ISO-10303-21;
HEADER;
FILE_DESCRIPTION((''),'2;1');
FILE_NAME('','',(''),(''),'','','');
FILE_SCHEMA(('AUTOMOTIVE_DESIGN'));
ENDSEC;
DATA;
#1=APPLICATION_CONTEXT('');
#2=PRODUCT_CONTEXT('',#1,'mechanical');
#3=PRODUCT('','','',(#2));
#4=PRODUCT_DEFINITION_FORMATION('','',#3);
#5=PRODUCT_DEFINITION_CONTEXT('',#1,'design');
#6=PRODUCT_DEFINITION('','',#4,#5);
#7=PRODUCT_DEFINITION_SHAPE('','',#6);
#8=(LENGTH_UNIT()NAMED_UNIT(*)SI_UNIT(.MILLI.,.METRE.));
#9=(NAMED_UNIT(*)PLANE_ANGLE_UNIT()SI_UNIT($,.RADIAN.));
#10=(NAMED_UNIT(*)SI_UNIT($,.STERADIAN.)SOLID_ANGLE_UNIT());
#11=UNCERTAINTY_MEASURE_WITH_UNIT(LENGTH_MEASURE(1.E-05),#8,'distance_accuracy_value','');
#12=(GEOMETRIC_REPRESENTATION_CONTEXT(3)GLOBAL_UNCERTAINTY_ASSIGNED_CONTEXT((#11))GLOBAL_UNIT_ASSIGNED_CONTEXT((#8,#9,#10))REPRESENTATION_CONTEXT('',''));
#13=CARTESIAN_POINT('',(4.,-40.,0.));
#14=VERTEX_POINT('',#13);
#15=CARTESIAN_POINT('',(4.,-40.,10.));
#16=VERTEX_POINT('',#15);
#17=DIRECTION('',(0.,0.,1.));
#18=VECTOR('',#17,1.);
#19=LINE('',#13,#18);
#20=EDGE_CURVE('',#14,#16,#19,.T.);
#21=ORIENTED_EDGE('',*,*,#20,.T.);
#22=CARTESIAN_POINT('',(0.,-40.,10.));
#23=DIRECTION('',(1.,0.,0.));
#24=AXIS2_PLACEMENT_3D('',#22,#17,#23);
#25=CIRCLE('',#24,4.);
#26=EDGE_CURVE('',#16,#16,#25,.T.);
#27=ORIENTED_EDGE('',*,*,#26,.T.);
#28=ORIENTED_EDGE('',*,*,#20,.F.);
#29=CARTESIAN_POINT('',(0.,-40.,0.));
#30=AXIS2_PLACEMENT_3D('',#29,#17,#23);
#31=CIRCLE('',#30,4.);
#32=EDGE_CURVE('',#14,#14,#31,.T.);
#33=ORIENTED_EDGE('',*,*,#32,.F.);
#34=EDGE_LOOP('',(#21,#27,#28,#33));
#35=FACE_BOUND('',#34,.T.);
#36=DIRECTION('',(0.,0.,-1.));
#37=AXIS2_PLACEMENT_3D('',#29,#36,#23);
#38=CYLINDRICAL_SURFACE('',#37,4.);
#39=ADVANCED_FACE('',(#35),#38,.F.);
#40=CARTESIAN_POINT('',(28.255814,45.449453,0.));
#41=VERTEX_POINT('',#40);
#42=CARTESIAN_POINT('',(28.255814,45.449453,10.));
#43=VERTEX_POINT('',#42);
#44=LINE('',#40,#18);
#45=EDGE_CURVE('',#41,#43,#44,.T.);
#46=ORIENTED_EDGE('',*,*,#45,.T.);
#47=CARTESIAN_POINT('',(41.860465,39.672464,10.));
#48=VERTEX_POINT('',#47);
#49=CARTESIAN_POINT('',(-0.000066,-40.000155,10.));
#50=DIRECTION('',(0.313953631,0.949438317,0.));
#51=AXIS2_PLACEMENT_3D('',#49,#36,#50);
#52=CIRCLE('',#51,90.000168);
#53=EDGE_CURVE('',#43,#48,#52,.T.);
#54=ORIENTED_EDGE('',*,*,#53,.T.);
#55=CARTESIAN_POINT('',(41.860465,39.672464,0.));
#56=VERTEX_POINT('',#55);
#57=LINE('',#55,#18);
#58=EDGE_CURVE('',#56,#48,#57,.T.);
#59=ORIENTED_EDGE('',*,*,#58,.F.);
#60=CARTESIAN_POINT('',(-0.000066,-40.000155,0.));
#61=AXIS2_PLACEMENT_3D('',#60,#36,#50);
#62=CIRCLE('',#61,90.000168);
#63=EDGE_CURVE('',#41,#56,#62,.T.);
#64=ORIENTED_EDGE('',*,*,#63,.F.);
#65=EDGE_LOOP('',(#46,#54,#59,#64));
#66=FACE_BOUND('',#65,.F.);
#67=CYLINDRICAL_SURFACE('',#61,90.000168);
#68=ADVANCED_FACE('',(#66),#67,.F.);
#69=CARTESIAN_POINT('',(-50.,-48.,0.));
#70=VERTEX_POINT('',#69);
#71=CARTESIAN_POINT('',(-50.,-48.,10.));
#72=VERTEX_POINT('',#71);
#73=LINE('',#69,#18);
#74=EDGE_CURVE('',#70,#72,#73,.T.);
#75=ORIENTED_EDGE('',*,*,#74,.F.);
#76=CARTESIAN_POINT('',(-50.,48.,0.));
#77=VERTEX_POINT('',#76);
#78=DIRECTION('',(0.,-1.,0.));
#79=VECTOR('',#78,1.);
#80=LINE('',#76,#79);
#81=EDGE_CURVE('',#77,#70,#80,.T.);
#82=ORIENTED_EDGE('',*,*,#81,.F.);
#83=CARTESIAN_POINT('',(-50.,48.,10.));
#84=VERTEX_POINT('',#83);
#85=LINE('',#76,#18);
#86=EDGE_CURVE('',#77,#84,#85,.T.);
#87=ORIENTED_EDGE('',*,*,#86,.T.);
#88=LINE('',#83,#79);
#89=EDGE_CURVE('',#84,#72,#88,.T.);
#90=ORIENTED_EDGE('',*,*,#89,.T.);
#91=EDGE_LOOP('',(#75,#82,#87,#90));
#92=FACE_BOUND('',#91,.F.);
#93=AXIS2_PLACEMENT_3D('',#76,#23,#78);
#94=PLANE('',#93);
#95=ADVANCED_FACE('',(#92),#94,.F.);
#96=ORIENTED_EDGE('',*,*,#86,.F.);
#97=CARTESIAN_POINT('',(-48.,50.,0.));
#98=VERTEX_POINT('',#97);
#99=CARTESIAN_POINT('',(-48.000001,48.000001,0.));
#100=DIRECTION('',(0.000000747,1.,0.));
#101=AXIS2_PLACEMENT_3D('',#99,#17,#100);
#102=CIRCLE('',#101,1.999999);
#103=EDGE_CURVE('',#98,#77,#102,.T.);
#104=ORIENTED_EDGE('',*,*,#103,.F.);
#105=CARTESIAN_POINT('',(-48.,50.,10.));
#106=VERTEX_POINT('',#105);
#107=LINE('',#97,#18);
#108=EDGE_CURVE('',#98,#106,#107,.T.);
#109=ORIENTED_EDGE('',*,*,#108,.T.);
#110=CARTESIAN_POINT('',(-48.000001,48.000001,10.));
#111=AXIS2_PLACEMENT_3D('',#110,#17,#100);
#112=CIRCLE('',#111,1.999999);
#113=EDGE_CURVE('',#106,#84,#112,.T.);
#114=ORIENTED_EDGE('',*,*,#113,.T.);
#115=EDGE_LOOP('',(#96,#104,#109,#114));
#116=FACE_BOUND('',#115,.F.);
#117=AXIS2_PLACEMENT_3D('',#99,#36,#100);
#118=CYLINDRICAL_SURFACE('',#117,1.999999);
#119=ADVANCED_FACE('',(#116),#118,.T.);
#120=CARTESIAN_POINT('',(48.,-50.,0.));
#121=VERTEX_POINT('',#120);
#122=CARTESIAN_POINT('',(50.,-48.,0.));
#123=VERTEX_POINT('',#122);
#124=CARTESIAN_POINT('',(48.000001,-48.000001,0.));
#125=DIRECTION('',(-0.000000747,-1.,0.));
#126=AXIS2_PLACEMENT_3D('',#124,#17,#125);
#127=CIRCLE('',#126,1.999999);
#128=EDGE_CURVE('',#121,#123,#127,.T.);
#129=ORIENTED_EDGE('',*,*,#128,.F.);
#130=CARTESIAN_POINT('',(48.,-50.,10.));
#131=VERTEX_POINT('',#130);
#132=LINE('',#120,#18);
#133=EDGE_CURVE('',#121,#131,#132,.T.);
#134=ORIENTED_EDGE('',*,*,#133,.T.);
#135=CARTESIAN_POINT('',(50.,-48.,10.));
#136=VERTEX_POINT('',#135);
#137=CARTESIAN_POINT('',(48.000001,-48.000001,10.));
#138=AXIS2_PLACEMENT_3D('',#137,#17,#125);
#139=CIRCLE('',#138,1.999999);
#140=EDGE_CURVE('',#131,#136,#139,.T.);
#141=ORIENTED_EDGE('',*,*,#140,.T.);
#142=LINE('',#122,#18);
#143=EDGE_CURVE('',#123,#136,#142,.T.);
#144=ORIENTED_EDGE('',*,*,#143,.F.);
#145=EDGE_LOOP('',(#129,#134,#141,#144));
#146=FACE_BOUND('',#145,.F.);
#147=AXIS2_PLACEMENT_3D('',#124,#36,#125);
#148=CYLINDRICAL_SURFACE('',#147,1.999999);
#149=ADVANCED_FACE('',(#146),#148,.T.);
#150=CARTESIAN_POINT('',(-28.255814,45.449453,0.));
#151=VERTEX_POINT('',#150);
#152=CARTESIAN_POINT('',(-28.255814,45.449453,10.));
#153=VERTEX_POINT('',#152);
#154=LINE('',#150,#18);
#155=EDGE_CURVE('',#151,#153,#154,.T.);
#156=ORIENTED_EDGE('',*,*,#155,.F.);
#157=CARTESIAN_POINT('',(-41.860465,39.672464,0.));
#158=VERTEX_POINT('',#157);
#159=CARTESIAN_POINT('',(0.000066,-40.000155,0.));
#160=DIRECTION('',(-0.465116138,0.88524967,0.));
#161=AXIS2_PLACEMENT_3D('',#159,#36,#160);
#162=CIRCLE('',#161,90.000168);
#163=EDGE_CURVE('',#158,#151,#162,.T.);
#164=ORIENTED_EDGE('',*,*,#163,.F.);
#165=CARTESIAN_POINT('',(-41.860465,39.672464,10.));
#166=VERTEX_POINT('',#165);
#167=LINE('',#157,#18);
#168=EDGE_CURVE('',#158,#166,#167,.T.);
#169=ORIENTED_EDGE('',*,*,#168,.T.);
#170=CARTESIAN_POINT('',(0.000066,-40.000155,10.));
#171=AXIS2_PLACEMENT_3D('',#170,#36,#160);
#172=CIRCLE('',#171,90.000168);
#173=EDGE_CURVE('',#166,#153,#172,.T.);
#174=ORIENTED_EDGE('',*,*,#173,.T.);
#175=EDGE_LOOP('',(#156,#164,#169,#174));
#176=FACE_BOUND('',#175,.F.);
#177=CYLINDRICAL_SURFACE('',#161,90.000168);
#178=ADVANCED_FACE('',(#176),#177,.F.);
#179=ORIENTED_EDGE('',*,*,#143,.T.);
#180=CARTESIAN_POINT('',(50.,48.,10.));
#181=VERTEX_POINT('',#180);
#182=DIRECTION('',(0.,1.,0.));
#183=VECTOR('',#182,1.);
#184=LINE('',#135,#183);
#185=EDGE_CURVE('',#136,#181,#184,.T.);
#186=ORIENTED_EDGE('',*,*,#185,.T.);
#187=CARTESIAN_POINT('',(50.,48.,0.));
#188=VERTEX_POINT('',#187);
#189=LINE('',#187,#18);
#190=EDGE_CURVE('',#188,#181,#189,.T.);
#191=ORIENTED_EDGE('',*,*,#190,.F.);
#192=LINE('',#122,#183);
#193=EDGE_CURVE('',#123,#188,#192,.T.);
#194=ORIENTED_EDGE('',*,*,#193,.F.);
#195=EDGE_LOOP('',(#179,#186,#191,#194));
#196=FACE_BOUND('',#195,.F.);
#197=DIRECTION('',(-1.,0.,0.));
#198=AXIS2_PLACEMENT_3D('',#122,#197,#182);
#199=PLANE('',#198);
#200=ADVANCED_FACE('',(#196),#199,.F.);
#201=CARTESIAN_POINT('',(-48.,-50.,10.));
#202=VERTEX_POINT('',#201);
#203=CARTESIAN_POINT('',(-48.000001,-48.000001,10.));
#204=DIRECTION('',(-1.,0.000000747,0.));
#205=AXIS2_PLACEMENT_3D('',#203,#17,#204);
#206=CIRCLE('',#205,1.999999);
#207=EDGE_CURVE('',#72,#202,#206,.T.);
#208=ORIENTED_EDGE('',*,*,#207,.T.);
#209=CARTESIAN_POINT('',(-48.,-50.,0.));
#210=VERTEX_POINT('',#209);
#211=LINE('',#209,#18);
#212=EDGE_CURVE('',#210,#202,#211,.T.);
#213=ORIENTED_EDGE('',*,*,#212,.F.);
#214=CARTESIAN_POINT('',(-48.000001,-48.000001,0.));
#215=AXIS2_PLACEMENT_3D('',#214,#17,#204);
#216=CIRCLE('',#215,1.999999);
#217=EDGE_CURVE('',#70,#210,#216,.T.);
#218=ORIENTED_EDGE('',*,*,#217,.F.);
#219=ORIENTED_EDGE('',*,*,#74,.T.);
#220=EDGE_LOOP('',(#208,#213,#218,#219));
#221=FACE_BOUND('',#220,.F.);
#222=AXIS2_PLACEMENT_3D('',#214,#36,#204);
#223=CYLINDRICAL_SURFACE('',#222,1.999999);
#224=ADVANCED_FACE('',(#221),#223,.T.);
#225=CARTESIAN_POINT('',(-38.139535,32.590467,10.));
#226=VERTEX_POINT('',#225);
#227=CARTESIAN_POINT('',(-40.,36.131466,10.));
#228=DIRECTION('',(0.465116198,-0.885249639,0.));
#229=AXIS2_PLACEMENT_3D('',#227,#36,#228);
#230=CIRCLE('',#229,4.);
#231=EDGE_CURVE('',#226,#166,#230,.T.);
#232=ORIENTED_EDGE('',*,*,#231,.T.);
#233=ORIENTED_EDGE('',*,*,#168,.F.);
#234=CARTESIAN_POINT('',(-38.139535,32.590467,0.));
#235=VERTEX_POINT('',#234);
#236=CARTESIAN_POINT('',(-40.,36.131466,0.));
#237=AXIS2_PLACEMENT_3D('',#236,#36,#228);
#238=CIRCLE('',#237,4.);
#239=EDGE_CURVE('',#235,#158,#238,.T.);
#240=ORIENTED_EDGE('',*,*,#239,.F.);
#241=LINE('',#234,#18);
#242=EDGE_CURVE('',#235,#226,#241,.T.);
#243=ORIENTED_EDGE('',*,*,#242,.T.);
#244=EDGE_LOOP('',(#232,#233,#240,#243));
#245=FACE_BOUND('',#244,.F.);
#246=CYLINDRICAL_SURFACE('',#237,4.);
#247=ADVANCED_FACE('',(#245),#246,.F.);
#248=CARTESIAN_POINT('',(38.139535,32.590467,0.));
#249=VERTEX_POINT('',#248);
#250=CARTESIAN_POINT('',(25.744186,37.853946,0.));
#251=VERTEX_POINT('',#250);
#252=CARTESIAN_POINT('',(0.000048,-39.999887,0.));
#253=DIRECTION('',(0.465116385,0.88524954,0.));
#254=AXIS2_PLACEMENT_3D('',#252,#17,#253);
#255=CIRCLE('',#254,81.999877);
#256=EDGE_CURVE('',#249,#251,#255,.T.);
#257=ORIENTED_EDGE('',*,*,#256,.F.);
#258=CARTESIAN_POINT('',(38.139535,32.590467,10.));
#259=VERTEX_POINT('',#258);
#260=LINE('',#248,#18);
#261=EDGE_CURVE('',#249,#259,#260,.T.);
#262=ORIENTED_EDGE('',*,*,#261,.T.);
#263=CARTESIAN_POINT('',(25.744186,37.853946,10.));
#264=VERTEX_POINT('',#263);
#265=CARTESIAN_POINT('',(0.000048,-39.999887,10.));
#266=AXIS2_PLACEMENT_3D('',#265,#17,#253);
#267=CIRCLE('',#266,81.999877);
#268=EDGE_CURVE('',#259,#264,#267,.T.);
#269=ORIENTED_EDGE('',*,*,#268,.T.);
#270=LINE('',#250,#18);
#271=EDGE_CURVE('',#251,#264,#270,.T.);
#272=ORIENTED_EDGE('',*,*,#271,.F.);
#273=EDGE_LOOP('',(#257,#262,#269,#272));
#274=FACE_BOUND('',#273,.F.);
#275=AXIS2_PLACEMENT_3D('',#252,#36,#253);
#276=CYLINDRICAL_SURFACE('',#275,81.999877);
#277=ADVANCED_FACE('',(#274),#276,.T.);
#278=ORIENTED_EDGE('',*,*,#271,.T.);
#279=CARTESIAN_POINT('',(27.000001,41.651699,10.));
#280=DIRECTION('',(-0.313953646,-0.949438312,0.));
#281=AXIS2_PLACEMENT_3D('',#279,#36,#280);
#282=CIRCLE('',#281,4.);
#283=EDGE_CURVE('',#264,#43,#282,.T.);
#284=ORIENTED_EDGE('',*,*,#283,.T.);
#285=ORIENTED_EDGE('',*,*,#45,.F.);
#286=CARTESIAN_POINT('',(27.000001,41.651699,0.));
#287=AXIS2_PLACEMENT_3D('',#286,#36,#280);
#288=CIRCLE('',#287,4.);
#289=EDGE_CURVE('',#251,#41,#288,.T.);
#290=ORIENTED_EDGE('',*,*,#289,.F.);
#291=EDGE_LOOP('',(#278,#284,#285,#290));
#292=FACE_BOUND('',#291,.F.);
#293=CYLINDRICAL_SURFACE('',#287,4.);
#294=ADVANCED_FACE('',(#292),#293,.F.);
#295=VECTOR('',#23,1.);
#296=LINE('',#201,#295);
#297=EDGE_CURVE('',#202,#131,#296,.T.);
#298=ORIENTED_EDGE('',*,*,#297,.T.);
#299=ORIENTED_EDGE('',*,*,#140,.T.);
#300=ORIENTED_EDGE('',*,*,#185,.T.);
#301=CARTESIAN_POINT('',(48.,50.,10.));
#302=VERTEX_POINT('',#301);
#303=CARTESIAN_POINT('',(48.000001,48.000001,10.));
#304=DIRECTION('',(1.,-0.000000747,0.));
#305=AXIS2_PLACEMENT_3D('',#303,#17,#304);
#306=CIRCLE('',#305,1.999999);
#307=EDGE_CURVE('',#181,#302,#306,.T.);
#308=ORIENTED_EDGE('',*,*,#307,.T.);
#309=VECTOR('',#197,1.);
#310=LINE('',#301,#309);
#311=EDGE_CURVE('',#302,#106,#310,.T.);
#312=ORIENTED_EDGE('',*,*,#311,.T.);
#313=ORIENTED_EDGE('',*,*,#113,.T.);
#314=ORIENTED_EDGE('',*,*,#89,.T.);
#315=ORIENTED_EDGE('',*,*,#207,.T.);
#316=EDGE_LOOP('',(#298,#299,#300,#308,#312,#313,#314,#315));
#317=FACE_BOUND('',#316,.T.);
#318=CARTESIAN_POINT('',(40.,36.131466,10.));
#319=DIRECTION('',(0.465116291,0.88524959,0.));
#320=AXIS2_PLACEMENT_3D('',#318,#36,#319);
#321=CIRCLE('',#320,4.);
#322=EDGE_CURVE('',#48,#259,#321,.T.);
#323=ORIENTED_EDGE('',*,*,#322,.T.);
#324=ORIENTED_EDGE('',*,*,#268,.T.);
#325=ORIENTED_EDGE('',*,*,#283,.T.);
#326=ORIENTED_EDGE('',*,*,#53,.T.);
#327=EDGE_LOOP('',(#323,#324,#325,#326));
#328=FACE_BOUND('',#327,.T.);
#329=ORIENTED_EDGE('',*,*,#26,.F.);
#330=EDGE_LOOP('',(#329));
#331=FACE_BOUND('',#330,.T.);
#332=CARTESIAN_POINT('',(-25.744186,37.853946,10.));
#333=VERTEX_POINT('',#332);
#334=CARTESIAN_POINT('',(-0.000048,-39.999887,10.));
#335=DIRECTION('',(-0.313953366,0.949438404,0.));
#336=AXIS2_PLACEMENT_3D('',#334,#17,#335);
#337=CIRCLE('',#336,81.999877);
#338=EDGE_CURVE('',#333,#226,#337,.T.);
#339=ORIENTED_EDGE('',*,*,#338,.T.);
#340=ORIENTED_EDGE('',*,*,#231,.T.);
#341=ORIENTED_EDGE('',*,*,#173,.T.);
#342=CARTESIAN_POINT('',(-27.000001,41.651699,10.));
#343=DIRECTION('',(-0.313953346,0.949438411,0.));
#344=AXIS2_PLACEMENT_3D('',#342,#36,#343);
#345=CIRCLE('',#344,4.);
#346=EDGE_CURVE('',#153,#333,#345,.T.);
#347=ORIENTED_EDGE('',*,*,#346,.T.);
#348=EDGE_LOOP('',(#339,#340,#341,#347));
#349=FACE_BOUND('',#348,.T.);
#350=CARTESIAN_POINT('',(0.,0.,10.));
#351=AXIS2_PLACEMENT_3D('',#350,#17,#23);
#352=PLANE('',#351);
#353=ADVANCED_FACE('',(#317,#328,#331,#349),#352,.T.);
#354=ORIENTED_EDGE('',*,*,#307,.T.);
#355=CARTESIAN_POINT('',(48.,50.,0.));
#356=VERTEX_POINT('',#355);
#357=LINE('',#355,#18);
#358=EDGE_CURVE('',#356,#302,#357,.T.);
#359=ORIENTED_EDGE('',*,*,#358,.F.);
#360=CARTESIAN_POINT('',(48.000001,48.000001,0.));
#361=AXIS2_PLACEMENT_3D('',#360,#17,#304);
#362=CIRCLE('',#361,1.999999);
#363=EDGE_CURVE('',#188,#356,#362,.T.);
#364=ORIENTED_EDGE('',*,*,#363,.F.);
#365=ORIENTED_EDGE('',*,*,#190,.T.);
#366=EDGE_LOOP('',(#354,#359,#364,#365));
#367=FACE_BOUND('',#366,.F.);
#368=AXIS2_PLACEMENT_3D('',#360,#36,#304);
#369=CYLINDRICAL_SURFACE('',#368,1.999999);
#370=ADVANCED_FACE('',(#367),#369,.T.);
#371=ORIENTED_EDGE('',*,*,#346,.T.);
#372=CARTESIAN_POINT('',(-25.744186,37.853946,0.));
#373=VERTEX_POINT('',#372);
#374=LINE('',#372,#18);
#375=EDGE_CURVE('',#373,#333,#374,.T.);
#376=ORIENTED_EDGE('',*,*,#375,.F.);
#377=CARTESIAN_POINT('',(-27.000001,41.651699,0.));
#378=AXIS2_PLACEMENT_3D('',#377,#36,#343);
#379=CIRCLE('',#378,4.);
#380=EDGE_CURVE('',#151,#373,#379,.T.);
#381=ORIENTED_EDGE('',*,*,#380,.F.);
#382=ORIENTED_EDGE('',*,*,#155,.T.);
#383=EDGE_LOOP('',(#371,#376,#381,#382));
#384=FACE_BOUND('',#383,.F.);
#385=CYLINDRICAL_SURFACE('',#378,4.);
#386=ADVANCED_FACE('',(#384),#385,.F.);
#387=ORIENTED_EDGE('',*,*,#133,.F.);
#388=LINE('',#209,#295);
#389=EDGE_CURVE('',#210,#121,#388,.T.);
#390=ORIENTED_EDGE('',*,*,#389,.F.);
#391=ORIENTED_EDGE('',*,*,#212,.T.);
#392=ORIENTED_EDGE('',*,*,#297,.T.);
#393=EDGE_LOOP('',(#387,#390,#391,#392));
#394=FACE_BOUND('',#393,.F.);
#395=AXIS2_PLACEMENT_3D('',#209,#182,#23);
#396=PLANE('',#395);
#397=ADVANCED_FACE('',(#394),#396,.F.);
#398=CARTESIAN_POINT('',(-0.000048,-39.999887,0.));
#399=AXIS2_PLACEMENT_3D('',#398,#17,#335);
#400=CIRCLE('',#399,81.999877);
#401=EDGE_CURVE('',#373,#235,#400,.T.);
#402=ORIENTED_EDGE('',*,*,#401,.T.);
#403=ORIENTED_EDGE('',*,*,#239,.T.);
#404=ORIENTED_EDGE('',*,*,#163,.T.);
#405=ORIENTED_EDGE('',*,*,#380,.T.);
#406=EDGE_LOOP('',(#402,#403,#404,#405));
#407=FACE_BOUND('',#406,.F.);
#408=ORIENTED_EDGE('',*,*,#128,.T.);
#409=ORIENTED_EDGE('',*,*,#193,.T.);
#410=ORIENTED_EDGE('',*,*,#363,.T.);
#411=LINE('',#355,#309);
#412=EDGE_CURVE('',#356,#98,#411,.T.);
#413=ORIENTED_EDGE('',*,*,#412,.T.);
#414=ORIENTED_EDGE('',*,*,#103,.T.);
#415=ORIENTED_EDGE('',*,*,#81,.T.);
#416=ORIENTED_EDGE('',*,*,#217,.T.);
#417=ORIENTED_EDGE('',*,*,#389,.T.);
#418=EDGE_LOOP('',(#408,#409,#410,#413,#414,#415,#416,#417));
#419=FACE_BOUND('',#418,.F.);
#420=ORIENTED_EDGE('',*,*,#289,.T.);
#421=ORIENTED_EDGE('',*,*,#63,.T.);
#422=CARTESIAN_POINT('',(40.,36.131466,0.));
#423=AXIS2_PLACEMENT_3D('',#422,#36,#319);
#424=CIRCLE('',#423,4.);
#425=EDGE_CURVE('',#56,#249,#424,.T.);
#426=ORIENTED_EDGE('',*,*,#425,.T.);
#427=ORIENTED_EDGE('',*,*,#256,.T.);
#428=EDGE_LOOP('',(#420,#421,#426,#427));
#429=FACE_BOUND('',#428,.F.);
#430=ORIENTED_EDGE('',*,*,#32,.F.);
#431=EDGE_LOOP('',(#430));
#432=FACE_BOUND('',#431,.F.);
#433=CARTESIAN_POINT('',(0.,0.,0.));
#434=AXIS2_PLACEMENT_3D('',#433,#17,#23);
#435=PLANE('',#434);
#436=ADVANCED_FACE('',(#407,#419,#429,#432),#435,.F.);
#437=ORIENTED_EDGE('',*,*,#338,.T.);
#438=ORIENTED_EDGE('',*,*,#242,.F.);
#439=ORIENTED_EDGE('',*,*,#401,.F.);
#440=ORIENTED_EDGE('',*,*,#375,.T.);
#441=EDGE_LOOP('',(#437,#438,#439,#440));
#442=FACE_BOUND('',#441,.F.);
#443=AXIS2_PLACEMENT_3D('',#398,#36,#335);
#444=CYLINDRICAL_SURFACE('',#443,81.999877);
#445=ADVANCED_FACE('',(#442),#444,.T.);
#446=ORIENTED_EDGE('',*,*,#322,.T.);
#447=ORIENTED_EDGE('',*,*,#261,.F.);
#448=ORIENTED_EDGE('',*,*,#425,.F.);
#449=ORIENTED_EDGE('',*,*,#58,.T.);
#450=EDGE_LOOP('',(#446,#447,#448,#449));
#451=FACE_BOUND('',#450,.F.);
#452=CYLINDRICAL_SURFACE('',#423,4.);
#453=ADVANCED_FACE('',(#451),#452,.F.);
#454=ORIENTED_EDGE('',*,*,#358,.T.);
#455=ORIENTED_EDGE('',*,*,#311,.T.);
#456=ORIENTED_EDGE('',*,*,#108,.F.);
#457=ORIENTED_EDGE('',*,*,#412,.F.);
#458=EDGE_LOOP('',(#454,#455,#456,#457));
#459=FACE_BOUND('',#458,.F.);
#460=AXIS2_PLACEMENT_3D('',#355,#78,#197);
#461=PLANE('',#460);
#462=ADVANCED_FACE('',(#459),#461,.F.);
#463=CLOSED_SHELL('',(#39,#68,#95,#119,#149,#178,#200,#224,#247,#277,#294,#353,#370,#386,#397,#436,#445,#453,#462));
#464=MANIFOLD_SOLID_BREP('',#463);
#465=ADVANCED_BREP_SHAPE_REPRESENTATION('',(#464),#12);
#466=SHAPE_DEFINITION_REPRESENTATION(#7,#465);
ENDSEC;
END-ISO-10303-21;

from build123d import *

# Parameters (mm, degrees)
F0_R     = 4
F1_DEPTH = 10


with BuildPart() as f1:
    # F0 (on Top) → F1 (new body)
    with BuildSketch(Plane.XY):
        with BuildLine():
            ThreePointArc((50, 48), (49.414214, 49.414214), (48, 50))
            Line((48, 50), (-48, 50))
            ThreePointArc((-48, 50), (-49.414214, 49.414214), (-50, 48))
            Line((-50, 48), (-50, -48))
            ThreePointArc((-50, -48), (-49.414214, -49.414214), (-48, -50))
            Line((-48, -50), (48, -50))
            ThreePointArc((48, -50), (49.414214, -49.414214), (50, -48))
            Line((50, -48), (50, 48))
        make_face()
        with Locations((0, -40)):
            Circle(F0_R, mode=Mode.SUBTRACT)
        with BuildLine():
            ThreePointArc((-41.860465, 39.672464), (-35.176932, 42.840711), (-28.255814, 45.449453))
            ThreePointArc((-28.255814, 45.449453), (-23.202247, 42.907513), (-25.744186, 37.853946))
            ThreePointArc((-25.744186, 37.853946), (-32.050094, 35.477093), (-38.139535, 32.590467))
            ThreePointArc((-38.139535, 32.590467), (-43.540998, 34.271), (-41.860465, 39.672464))
        make_face(mode=Mode.SUBTRACT)
        with BuildLine():
            ThreePointArc((25.744186, 37.853946), (23.202247, 42.907513), (28.255814, 45.449453))
            ThreePointArc((28.255814, 45.449453), (35.176932, 42.840711), (41.860465, 39.672464))
            ThreePointArc((41.860465, 39.672464), (43.540998, 34.271), (38.139535, 32.590467))
            ThreePointArc((38.139535, 32.590467), (32.050094, 35.477093), (25.744186, 37.853946))
        make_face(mode=Mode.SUBTRACT)
    extrude(amount=F1_DEPTH)


solid = f1.part
